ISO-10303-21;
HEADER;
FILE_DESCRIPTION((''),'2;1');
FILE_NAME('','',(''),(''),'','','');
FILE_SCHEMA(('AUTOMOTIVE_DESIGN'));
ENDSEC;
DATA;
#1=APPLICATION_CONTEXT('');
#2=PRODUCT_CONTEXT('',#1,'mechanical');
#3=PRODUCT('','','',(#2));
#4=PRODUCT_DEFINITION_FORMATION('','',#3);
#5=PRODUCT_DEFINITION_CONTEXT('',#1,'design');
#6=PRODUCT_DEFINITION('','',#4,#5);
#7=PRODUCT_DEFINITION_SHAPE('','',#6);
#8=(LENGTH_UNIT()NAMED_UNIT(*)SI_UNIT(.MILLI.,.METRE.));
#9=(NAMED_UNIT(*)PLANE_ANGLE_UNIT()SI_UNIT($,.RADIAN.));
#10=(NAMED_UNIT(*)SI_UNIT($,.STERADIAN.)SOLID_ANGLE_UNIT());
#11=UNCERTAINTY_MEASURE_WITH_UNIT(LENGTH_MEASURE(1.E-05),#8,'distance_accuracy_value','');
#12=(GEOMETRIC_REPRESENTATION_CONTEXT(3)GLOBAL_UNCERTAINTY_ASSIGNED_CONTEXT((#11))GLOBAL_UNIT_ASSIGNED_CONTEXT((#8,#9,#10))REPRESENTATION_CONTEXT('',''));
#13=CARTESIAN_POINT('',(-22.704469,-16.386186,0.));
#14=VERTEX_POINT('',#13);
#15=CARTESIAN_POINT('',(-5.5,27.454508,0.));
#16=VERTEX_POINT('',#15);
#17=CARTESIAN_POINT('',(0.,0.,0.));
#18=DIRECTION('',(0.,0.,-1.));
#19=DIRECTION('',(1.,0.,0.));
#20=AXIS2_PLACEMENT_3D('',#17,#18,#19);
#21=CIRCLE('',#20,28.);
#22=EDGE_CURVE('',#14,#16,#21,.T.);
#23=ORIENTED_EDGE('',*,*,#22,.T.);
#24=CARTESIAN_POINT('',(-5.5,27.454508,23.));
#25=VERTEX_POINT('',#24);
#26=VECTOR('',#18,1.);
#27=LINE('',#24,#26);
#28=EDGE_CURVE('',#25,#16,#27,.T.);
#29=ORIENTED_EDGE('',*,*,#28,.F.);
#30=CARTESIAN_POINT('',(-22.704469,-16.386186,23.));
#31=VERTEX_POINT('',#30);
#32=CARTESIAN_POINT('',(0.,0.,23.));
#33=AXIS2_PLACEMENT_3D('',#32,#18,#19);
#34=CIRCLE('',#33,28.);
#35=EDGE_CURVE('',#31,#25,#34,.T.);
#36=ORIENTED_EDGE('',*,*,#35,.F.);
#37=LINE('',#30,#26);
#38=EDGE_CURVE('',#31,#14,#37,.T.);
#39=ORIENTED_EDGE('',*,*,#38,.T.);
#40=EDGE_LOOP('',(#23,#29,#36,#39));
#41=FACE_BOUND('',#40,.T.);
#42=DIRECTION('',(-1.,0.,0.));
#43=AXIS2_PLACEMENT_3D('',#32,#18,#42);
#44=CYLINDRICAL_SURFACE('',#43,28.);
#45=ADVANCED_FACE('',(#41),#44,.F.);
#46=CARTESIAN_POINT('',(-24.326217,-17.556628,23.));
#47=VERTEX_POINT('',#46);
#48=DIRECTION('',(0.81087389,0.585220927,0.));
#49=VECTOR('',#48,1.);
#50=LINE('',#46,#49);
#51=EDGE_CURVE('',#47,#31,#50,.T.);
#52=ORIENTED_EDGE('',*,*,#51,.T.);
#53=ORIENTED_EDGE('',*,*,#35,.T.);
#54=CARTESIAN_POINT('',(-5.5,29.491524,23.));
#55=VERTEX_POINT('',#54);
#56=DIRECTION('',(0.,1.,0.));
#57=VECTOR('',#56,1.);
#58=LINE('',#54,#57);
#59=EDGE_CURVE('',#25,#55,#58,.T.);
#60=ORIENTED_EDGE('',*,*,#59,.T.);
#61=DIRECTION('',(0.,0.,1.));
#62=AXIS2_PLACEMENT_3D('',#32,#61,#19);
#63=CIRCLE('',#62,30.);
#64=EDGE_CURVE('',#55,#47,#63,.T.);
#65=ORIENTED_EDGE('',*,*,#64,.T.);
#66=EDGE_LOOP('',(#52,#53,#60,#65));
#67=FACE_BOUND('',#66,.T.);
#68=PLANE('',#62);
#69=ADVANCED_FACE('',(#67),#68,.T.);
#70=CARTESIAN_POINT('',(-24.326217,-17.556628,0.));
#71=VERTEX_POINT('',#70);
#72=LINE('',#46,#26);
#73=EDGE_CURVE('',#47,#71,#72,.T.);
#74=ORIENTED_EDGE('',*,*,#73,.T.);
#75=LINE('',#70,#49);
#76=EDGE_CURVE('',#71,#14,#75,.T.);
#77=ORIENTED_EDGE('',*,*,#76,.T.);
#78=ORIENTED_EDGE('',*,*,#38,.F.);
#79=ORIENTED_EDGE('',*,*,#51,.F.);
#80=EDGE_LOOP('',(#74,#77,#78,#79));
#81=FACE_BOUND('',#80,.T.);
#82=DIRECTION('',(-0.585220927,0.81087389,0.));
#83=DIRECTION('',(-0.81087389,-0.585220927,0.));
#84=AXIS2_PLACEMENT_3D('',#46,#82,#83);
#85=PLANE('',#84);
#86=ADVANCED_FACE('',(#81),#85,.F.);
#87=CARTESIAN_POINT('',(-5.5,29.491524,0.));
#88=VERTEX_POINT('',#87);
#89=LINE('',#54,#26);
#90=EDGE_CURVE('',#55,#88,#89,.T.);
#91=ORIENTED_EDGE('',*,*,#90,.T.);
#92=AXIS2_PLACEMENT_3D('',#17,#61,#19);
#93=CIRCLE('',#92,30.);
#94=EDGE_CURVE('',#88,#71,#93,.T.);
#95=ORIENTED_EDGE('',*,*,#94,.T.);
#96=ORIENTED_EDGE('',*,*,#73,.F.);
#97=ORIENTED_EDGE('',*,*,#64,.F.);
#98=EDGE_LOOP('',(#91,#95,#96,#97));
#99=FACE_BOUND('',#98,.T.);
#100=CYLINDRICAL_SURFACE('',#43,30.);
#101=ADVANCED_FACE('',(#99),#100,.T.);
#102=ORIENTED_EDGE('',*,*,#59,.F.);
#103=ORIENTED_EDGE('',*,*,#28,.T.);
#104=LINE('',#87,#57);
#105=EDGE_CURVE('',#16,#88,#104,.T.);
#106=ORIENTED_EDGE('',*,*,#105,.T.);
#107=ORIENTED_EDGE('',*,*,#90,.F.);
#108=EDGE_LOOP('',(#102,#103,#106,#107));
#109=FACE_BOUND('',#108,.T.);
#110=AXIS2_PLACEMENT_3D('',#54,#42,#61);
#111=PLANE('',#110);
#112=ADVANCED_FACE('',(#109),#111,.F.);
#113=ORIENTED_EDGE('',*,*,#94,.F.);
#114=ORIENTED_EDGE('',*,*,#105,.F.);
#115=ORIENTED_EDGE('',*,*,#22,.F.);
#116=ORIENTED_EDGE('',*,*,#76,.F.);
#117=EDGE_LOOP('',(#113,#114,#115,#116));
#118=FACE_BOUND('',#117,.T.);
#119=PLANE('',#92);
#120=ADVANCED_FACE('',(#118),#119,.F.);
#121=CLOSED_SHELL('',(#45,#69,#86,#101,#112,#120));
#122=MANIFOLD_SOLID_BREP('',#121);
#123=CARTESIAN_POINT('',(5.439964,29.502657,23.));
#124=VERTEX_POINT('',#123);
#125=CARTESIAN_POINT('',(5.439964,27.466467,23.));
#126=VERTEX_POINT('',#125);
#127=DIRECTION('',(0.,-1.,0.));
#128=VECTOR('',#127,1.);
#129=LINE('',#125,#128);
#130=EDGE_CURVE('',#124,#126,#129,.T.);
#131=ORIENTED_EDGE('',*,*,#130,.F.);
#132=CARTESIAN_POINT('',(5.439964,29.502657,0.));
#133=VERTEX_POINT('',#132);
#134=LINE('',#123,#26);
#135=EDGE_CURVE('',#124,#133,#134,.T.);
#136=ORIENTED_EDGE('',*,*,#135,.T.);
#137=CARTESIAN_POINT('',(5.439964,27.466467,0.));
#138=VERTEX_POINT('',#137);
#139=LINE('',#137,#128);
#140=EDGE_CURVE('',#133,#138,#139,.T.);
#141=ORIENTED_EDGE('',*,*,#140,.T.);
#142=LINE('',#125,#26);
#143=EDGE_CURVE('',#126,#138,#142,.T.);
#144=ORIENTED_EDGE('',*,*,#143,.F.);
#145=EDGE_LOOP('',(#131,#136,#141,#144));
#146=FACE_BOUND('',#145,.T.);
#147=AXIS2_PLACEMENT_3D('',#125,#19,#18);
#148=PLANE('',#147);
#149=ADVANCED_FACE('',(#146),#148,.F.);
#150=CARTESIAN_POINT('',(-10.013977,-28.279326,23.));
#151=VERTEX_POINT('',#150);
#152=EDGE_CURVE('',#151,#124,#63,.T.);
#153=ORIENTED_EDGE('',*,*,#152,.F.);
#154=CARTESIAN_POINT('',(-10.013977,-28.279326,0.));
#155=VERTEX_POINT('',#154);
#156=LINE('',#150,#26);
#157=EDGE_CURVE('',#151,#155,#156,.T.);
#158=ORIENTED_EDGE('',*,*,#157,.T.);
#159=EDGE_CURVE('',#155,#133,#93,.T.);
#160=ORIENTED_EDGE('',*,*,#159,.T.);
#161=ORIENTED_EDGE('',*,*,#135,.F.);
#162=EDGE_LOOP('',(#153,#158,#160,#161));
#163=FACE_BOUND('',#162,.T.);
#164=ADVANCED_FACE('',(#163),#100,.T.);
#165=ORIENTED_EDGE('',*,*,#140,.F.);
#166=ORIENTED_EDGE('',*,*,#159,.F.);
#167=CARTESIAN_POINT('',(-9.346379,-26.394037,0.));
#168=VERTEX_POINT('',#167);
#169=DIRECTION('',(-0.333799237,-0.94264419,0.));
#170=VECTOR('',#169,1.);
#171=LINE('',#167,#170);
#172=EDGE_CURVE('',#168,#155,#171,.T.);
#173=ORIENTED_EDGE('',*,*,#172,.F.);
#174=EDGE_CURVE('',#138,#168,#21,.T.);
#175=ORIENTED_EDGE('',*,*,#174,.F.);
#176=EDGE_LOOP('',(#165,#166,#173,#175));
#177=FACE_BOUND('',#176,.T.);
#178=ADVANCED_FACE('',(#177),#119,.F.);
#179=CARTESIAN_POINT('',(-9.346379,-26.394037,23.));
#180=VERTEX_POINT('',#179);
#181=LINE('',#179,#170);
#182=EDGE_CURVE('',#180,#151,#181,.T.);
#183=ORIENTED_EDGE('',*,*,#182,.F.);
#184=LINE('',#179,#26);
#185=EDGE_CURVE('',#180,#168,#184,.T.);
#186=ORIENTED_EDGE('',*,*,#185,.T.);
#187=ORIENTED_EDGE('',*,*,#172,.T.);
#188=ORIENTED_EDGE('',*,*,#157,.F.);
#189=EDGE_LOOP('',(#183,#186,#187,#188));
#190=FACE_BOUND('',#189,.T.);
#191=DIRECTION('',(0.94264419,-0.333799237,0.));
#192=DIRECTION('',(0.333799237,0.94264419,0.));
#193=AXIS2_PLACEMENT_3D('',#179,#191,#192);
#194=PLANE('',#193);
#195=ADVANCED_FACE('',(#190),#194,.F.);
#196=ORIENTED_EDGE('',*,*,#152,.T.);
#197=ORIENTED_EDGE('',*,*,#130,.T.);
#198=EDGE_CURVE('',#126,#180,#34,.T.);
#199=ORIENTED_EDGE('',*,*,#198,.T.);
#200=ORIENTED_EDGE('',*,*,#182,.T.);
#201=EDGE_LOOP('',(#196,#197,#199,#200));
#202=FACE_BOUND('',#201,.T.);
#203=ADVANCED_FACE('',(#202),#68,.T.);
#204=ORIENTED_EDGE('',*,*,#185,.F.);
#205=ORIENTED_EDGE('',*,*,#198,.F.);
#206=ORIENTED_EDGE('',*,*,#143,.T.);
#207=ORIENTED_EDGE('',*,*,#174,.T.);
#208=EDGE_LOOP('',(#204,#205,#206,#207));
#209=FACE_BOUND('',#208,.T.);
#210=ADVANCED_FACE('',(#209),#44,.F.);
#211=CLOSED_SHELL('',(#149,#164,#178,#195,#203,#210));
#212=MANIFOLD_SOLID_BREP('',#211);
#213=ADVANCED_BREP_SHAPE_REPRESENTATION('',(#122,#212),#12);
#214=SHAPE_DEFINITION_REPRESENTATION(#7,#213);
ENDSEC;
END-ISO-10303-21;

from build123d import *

# Parameters (mm, degrees)
BOSS_EXTRUDE2_DEPTH   = 23
BOSS_EXTRUDE2_2_DEPTH = 23


with BuildPart() as part:
    # Sketch2 → Boss-Extrude2 (new body)
    with BuildSketch(Plane.XY):
        with BuildLine():
            Line((-9.346378644, -26.394037324), (-10.013977119, -28.279325704))
            ThreePointArc((-10.013977119, -28.279325704), (28.981369773, -7.751142245), (5.439963605, 29.502657439))
            Line((5.439963605, 29.502657439), (5.439963605, 27.466466755))
            ThreePointArc((5.439963605, 27.466466755), (27.000990621, -7.412591011), (-9.346378644, -26.394037324))
        make_face()
    extrude(amount=BOSS_EXTRUDE2_DEPTH)


with BuildPart() as body_2:
    # Sketch2 → Boss-Extrude2 2 (new body)
    with BuildSketch(Plane.XY):
        with BuildLine():
            Line((-24.326216711, -17.556627824), (-22.70446893, -16.386185969))
            ThreePointArc((-22.70446893, -16.386185969), (-26.064815845, 10.228654603), (-5.5, 27.454507827))
            Line((-5.5, 27.454507827), (-5.5, 29.491524206))
            ThreePointArc((-5.5, 29.491524206), (-27.852880518, 11.145270155), (-24.326216711, -17.556627824))
        make_face()
    extrude(amount=BOSS_EXTRUDE2_2_DEPTH)


solid = Compound([part.part, body_2.part])
